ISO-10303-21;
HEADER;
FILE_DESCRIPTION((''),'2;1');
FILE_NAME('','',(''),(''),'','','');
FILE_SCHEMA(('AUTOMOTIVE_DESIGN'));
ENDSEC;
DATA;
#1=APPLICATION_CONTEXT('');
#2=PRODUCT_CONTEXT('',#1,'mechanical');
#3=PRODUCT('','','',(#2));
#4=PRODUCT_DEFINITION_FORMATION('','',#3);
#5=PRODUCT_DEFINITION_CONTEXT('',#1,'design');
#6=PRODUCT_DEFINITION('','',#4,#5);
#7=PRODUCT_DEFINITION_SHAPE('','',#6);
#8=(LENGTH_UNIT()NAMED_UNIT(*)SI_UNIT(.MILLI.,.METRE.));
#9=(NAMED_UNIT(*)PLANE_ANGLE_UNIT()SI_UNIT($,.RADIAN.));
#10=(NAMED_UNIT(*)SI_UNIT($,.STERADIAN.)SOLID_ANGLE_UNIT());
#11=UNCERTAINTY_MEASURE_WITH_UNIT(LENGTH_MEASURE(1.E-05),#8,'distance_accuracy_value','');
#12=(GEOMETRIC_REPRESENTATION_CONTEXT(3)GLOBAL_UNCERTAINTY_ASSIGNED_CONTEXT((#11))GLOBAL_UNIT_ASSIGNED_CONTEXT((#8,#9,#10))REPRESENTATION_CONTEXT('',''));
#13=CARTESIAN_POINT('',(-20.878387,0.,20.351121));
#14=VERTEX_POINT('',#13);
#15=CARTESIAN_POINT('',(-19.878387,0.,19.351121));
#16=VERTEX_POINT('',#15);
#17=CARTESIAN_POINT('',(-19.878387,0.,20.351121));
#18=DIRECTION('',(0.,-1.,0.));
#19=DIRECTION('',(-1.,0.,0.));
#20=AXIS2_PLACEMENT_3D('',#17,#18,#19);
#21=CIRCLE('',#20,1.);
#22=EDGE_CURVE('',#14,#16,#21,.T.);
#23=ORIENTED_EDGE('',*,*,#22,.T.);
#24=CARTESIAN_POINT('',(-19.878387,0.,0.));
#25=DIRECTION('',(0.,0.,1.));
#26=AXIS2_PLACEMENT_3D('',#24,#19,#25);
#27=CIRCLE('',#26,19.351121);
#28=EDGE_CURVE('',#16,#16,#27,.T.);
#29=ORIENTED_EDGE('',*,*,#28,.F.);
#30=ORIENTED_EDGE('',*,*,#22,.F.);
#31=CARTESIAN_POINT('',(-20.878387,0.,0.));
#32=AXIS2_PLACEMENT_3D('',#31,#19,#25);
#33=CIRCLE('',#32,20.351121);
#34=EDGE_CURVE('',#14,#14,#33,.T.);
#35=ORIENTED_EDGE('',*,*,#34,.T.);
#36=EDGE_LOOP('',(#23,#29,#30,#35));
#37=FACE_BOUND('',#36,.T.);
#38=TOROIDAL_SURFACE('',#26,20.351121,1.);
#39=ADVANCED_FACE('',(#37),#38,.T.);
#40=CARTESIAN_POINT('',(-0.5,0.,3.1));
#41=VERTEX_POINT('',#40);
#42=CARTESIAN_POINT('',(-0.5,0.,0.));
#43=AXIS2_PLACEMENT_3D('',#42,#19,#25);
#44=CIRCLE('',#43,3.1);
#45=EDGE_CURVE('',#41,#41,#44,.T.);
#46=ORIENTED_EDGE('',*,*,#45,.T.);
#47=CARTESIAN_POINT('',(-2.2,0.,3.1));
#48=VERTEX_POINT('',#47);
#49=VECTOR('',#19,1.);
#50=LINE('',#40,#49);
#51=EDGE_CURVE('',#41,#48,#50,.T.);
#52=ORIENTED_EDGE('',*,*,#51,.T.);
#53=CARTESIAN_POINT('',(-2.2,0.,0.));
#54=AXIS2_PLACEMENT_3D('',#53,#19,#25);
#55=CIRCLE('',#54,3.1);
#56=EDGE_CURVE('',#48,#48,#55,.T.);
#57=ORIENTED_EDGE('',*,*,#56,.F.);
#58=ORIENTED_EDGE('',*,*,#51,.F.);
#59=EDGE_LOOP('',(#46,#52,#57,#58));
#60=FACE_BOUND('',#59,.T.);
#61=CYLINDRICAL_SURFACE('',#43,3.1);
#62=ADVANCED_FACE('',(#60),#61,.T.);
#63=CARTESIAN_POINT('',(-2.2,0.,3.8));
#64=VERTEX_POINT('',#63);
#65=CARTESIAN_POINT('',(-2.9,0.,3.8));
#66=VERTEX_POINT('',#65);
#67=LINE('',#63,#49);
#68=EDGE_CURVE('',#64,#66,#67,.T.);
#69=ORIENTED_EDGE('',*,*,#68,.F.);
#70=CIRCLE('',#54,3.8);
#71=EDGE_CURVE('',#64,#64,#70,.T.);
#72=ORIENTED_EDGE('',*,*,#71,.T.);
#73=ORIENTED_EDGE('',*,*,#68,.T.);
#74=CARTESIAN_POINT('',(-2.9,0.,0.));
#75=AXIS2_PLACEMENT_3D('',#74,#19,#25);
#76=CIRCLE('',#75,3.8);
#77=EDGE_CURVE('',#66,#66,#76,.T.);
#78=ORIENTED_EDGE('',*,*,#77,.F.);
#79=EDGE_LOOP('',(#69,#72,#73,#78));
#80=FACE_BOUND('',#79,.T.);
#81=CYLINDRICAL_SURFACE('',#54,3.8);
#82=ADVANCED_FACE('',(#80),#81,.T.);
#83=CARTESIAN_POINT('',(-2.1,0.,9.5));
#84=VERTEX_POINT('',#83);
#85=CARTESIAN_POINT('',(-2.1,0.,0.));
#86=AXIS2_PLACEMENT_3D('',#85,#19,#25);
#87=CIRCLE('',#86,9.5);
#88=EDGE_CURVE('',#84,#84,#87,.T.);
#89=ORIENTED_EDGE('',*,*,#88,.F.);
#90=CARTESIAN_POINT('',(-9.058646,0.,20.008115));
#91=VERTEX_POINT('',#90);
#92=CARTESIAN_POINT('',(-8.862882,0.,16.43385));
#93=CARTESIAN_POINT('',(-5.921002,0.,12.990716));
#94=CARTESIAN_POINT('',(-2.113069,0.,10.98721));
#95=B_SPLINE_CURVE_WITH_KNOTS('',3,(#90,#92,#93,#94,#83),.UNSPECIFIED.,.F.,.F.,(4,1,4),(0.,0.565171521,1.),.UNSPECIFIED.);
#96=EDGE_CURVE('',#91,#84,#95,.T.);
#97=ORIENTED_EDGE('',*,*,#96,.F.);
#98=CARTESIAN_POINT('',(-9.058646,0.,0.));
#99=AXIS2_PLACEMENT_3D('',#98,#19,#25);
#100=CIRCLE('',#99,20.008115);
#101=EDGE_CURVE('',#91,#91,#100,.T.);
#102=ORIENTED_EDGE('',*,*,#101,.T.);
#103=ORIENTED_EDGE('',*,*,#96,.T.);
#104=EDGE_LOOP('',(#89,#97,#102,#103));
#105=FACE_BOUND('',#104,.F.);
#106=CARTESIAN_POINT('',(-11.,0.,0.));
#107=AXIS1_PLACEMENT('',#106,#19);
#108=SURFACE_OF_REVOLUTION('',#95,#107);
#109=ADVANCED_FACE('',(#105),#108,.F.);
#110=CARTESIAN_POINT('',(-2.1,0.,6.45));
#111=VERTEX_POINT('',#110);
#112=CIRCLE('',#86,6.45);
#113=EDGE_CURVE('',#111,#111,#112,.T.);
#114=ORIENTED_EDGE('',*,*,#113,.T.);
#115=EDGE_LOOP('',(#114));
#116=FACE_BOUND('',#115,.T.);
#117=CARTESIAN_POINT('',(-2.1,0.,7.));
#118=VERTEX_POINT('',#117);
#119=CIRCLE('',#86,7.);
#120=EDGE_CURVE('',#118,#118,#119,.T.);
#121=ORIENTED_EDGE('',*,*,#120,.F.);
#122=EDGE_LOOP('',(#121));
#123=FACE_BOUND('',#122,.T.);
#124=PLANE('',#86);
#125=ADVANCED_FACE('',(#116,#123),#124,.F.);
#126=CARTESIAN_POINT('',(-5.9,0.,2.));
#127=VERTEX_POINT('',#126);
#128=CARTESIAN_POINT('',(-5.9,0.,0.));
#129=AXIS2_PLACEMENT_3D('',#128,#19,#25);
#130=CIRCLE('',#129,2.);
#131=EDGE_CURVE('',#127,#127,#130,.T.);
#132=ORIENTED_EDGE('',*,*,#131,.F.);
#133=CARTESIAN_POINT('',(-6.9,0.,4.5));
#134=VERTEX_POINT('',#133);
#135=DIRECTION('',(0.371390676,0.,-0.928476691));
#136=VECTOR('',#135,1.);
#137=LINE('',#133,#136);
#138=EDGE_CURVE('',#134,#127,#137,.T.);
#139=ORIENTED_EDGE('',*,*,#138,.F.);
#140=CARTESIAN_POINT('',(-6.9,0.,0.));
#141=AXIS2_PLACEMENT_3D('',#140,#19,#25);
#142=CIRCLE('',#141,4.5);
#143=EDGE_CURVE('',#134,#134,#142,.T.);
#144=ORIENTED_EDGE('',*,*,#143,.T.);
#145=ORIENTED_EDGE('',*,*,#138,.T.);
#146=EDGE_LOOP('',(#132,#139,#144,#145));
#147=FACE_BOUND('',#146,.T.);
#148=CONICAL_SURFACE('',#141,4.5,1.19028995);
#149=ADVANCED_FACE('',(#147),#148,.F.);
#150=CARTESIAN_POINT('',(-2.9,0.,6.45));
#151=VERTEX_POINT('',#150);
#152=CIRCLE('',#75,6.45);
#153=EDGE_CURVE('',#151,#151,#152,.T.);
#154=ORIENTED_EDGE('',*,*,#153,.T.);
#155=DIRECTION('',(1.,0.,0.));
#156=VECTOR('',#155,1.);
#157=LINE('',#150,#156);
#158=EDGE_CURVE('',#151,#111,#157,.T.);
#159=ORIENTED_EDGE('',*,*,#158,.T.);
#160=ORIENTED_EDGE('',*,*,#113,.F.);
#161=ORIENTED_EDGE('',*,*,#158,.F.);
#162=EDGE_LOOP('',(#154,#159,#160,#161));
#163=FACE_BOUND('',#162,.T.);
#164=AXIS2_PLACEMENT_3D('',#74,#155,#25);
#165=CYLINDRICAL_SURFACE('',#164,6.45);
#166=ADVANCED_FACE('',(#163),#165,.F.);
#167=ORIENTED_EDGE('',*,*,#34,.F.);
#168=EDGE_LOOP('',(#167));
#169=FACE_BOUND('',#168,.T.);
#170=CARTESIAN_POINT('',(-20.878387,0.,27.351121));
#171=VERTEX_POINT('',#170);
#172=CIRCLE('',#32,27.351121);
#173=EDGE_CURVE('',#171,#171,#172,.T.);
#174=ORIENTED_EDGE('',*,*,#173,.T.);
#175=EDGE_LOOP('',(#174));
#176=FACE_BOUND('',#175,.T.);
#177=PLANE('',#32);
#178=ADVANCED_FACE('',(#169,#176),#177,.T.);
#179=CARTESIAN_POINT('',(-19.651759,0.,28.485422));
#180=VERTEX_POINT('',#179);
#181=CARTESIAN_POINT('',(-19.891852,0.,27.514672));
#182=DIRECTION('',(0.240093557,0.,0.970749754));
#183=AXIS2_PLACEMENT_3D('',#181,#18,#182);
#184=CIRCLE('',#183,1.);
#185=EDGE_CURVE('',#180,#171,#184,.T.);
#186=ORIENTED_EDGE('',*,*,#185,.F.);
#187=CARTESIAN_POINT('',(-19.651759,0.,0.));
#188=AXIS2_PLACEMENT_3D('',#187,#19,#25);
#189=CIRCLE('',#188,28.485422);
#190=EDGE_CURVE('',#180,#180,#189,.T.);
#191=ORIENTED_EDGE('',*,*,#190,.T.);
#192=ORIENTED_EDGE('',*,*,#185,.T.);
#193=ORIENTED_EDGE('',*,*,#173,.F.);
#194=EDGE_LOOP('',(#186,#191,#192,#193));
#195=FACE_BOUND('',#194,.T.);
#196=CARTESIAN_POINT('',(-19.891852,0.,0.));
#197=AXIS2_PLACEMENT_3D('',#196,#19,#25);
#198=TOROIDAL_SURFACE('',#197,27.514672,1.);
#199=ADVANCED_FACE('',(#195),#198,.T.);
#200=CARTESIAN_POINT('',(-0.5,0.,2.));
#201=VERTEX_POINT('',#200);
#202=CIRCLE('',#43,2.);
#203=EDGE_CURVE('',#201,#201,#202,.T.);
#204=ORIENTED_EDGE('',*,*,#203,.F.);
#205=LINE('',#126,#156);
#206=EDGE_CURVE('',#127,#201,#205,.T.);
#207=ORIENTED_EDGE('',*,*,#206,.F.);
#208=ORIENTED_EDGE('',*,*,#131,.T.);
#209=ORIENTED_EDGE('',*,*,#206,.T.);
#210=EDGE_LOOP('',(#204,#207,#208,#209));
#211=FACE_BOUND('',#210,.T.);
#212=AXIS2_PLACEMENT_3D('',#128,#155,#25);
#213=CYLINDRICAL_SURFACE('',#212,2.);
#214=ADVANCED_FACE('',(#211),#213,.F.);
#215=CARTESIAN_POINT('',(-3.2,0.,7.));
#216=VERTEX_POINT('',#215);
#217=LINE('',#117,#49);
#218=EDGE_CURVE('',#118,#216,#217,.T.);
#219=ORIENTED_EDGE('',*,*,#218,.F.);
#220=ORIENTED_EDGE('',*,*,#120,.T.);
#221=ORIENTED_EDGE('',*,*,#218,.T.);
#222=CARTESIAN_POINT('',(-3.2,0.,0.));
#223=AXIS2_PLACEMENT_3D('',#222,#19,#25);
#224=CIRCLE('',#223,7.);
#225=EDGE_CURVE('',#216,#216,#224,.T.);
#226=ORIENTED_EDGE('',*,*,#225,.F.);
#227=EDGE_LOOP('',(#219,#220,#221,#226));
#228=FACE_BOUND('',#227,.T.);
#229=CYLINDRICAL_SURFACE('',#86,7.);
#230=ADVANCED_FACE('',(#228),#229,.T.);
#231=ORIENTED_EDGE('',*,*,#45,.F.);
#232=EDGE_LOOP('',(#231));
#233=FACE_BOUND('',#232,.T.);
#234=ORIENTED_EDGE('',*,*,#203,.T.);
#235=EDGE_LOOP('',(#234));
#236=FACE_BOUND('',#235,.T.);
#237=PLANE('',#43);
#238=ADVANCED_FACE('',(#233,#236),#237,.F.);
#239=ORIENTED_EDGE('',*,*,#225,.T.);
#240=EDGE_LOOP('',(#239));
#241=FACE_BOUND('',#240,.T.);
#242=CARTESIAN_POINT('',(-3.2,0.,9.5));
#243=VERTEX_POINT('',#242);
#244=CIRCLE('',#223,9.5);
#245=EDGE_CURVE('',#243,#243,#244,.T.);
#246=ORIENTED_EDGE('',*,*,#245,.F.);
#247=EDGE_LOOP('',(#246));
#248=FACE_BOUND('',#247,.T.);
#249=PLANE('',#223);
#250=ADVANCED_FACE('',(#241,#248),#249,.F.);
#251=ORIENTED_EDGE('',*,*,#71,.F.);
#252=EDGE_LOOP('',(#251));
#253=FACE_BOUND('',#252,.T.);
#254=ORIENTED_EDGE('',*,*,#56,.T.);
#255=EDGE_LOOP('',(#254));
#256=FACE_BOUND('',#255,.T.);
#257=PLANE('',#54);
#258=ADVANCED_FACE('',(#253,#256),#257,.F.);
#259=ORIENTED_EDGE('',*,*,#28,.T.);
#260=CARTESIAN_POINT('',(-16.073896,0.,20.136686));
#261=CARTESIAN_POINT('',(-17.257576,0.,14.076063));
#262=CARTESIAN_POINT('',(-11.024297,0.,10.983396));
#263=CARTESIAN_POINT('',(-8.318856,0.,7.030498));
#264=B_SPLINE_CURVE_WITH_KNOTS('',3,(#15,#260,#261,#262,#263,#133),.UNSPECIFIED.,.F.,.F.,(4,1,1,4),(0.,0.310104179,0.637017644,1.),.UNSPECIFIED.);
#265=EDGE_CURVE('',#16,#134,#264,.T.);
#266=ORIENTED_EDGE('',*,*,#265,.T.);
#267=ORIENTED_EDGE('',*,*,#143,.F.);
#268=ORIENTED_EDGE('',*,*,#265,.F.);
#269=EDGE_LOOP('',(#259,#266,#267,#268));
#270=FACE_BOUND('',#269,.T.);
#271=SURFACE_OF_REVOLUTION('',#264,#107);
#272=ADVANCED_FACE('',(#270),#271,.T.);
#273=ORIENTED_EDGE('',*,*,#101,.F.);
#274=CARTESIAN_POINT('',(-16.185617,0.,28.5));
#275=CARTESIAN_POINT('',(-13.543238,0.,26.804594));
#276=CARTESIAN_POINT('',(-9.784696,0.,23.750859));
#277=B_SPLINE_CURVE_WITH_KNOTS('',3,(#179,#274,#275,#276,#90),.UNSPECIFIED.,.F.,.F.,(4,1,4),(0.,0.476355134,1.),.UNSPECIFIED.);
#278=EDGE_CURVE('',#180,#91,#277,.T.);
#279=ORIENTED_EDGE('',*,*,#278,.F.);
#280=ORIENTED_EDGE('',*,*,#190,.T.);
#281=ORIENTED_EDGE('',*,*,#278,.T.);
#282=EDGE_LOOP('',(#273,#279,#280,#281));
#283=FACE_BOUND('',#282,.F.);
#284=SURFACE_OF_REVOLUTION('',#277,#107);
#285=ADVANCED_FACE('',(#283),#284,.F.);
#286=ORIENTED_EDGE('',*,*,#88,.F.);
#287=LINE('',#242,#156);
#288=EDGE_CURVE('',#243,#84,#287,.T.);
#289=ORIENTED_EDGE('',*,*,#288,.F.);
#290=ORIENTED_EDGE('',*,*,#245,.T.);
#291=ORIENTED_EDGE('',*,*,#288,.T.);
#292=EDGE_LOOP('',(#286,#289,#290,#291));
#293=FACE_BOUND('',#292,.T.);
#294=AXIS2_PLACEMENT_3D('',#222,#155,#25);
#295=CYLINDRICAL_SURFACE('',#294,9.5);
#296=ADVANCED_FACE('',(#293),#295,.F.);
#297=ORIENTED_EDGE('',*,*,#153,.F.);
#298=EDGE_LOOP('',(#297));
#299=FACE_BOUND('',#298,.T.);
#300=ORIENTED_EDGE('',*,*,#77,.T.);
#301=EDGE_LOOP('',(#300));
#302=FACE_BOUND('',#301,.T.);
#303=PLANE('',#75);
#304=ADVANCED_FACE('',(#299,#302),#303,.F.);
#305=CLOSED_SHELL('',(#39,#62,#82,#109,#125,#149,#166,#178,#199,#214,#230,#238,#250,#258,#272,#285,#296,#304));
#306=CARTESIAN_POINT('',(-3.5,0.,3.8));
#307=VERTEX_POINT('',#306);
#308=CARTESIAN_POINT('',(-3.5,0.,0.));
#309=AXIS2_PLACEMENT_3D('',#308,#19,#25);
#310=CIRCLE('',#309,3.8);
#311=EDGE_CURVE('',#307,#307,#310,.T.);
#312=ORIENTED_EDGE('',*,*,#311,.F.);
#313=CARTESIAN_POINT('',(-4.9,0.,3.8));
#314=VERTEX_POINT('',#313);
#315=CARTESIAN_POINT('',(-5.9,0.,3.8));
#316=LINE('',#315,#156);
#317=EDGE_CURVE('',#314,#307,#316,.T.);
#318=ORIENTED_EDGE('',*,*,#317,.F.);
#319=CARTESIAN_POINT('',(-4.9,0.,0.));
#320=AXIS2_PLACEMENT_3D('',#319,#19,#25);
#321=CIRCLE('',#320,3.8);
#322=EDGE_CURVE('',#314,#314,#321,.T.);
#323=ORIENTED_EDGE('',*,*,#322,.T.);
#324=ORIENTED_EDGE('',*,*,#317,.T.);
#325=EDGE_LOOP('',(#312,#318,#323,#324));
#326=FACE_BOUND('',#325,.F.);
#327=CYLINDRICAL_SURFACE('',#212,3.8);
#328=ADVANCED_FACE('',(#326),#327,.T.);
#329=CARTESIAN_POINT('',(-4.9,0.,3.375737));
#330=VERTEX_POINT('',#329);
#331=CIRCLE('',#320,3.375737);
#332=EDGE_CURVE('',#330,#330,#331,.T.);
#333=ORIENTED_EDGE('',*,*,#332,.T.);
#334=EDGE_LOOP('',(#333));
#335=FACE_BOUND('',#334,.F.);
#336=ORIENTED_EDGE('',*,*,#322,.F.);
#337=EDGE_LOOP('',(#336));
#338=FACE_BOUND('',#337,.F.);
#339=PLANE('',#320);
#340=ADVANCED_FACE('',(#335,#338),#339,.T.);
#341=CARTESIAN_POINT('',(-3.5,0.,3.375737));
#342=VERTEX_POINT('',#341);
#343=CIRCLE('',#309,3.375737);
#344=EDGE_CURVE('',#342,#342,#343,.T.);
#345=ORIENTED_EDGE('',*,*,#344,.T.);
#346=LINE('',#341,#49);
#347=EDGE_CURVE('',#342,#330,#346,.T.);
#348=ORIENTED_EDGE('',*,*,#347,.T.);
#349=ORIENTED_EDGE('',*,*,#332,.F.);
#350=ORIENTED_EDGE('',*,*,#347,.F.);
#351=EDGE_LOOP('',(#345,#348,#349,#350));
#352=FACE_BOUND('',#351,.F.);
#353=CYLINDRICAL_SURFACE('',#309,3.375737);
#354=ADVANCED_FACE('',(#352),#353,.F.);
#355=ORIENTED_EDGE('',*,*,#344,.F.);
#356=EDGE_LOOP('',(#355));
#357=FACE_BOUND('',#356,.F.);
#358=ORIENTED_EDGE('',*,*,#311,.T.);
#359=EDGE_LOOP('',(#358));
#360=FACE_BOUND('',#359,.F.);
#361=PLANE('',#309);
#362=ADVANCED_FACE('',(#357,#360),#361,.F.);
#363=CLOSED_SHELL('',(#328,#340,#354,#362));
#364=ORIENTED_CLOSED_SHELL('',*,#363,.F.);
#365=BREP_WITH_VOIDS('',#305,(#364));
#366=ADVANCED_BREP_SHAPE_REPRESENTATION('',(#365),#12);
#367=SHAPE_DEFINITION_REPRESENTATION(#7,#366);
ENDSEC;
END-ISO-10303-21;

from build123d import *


with BuildPart() as f1:
    # F0 (on Front) → F1 (revolve)
    with BuildSketch(Plane.XZ):
        Polygon((-5.9, 2), (-0.5, 2), (-0.5, 3.1), (-2.2, 3.1), (-2.2, 3.8), (-2.9, 3.8), (-3.5, 3.8), (-3.5, 3.3757365309), (-4.9, 3.3757365309), (-4.9, 3.8), (-5.9, 3.8), (-5.9, 4.5), (-6.9, 4.5), align=None)
        with BuildLine():
            add(Edge.make_bspline(
                [(-19.8783872837, 19.3511211455), (-16.0738958643, 20.1366857339), (-17.2575762667, 14.0760625268), (-11.024296557, 10.9833963388), (-8.3188561277, 7.0304979563), (-6.9, 4.5)],
                knots=[0, 0, 0, 0, 0.3101041793, 0.6370176442, 1, 1, 1, 1], degree=3))
            Line((-6.9, 4.5), (-5.9, 4.5))
            Line((-5.9, 4.5), (-5.9, 3.8))
            Line((-5.9, 3.8), (-4.9, 3.8))
            Line((-4.9, 3.8), (-3.5, 3.8))
            Line((-3.5, 3.8), (-2.9, 3.8))
            Line((-2.9, 3.8), (-2.9, 6.45))
            Line((-2.9, 6.45), (-2.1, 6.45))
            Line((-2.1, 6.45), (-2.1, 7))
            Line((-2.1, 7), (-3.2, 7))
            Line((-3.2, 7), (-3.2, 9.5))
            Line((-3.2, 9.5), (-2.1, 9.5))
            add(Edge.make_bspline(
                [(-9.0586464718, 20.0081148872), (-8.8628817248, 16.4338502747), (-5.921002061, 12.9907163228), (-2.1130685586, 10.9872101309), (-2.1, 9.5)],
                knots=[0, 0, 0, 0, 0.5651715207, 1, 1, 1, 1], degree=3))
            add(Edge.make_bspline(
                [(-19.6517588764, 28.4854220784), (-16.185617255, 28.5), (-13.5432381215, 26.8045938567), (-9.7846955238, 23.7508590909), (-9.0586464718, 20.0081148872)],
                knots=[0, 0, 0, 0, 0.4763551336, 1, 1, 1, 1], degree=3))
            ThreePointArc((-19.6517588764, 28.4854220784), (-20.5707878518, 28.2488703206), (-20.8783872837, 27.3511211455))
            Line((-20.8783872837, 27.3511211455), (-20.8783872837, 20.3511211455))
            ThreePointArc((-20.8783872837, 20.3511211455), (-20.5854940649, 19.6440143644), (-19.8783872837, 19.3511211455))
        make_face()
    revolve(axis=Axis((-11, 0, 0), (-1, 0, 0)))


solid = f1.part
